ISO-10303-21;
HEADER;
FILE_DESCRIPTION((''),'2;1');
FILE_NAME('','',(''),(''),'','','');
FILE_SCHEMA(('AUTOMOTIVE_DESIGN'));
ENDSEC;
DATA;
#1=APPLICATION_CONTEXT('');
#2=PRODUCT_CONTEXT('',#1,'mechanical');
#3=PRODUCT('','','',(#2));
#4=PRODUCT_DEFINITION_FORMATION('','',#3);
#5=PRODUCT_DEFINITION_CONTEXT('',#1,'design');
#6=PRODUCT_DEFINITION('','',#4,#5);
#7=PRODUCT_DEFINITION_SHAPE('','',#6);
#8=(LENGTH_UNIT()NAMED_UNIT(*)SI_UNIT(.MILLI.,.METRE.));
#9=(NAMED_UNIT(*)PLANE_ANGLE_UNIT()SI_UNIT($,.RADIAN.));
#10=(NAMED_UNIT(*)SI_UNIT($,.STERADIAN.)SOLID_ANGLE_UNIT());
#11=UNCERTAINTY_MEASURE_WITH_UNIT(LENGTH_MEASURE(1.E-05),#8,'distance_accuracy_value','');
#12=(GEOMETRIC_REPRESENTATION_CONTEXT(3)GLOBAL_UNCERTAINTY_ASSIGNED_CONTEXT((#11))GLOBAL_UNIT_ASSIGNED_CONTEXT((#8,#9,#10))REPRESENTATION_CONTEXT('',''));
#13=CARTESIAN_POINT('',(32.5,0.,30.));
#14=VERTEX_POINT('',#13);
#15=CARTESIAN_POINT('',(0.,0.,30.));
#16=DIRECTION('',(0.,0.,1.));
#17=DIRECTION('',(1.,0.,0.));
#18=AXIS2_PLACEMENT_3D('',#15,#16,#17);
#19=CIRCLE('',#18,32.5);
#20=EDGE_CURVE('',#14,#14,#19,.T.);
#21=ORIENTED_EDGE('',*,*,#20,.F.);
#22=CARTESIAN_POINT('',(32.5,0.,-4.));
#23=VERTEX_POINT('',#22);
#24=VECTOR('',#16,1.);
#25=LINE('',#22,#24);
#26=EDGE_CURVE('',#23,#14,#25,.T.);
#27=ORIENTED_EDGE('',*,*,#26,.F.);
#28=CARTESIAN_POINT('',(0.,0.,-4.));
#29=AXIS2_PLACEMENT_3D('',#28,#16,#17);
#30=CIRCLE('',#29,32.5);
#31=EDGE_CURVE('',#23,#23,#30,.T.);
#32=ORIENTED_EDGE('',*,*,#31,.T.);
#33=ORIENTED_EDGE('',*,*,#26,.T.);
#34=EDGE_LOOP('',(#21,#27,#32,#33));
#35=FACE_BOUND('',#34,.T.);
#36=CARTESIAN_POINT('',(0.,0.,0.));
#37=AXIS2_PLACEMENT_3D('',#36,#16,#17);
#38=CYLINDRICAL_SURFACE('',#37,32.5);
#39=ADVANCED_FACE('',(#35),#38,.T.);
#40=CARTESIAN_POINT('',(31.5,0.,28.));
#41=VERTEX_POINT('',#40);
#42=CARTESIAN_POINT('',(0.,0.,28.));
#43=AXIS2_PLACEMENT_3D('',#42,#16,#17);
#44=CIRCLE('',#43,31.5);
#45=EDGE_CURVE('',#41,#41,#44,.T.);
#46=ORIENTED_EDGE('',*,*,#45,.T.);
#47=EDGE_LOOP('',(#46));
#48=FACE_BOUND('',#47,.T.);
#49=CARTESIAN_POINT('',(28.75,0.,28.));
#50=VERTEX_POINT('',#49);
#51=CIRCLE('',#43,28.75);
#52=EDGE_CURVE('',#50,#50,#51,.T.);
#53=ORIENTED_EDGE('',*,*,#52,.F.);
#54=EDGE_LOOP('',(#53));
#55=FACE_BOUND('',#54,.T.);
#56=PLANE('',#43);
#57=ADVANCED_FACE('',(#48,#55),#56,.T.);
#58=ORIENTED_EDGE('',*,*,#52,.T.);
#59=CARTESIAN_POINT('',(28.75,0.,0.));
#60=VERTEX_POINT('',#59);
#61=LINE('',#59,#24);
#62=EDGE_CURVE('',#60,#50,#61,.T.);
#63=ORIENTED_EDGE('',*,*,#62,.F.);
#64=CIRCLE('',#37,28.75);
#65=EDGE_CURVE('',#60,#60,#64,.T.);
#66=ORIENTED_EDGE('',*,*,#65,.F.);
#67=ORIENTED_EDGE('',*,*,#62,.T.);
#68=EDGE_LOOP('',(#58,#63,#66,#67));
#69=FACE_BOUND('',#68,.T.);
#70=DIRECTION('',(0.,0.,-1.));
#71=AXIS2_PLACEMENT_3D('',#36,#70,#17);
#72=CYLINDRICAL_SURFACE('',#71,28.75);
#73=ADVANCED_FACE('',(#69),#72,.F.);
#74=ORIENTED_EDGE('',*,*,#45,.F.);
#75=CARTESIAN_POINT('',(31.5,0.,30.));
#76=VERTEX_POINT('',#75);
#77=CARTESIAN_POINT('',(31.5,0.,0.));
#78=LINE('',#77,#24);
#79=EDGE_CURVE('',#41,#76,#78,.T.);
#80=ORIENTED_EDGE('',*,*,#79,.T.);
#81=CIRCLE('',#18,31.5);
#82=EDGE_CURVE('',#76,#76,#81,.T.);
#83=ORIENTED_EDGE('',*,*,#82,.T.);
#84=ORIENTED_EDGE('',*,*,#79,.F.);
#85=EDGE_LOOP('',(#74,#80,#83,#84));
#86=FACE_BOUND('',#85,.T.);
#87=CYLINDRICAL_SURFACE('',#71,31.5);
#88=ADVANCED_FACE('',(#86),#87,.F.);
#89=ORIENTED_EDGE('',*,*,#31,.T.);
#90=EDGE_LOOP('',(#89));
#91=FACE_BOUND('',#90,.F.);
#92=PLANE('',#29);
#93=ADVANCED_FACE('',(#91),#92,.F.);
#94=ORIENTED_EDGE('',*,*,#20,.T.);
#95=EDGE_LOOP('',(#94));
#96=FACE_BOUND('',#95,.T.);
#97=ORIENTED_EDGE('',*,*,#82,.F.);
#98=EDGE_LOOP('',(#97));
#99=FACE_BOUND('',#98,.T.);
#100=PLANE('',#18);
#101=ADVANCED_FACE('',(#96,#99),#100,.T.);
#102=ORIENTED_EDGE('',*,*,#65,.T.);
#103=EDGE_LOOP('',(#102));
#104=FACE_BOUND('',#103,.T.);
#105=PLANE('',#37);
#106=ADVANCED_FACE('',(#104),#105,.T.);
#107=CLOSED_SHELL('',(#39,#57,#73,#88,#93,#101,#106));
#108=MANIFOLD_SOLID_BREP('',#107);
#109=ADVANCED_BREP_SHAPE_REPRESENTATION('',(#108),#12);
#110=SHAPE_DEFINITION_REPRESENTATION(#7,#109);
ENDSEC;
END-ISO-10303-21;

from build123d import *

# Parameters (mm, degrees)
F0_R     = 31.5
F0_R_2   = 28.75
F1_DEPTH = 28
F0_R_3   = 32.5
F2_DEPTH = 30
F3_DEPTH = 4


with BuildPart() as f1:
    # F0 (on Top) → F1 (new body)
    with BuildSketch(Plane.XY):
        Circle(F0_R)
        Circle(F0_R_2, mode=Mode.SUBTRACT)
    extrude(amount=F1_DEPTH)

    # F0 (on Top) → F2 (join)
    with BuildSketch(Plane.XY):
        Circle(F0_R_3)
        Circle(F0_R, mode=Mode.SUBTRACT)
    extrude(amount=F2_DEPTH)

    # F0 (on Top) → F3 (join)
    with BuildSketch(Plane.XY):
        Circle(F0_R_3)
        Circle(F0_R, mode=Mode.SUBTRACT)
        Circle(F0_R)
        Circle(F0_R_2, mode=Mode.SUBTRACT)
        Circle(F0_R_2)
    extrude(amount=-F3_DEPTH)


solid = f1.part
